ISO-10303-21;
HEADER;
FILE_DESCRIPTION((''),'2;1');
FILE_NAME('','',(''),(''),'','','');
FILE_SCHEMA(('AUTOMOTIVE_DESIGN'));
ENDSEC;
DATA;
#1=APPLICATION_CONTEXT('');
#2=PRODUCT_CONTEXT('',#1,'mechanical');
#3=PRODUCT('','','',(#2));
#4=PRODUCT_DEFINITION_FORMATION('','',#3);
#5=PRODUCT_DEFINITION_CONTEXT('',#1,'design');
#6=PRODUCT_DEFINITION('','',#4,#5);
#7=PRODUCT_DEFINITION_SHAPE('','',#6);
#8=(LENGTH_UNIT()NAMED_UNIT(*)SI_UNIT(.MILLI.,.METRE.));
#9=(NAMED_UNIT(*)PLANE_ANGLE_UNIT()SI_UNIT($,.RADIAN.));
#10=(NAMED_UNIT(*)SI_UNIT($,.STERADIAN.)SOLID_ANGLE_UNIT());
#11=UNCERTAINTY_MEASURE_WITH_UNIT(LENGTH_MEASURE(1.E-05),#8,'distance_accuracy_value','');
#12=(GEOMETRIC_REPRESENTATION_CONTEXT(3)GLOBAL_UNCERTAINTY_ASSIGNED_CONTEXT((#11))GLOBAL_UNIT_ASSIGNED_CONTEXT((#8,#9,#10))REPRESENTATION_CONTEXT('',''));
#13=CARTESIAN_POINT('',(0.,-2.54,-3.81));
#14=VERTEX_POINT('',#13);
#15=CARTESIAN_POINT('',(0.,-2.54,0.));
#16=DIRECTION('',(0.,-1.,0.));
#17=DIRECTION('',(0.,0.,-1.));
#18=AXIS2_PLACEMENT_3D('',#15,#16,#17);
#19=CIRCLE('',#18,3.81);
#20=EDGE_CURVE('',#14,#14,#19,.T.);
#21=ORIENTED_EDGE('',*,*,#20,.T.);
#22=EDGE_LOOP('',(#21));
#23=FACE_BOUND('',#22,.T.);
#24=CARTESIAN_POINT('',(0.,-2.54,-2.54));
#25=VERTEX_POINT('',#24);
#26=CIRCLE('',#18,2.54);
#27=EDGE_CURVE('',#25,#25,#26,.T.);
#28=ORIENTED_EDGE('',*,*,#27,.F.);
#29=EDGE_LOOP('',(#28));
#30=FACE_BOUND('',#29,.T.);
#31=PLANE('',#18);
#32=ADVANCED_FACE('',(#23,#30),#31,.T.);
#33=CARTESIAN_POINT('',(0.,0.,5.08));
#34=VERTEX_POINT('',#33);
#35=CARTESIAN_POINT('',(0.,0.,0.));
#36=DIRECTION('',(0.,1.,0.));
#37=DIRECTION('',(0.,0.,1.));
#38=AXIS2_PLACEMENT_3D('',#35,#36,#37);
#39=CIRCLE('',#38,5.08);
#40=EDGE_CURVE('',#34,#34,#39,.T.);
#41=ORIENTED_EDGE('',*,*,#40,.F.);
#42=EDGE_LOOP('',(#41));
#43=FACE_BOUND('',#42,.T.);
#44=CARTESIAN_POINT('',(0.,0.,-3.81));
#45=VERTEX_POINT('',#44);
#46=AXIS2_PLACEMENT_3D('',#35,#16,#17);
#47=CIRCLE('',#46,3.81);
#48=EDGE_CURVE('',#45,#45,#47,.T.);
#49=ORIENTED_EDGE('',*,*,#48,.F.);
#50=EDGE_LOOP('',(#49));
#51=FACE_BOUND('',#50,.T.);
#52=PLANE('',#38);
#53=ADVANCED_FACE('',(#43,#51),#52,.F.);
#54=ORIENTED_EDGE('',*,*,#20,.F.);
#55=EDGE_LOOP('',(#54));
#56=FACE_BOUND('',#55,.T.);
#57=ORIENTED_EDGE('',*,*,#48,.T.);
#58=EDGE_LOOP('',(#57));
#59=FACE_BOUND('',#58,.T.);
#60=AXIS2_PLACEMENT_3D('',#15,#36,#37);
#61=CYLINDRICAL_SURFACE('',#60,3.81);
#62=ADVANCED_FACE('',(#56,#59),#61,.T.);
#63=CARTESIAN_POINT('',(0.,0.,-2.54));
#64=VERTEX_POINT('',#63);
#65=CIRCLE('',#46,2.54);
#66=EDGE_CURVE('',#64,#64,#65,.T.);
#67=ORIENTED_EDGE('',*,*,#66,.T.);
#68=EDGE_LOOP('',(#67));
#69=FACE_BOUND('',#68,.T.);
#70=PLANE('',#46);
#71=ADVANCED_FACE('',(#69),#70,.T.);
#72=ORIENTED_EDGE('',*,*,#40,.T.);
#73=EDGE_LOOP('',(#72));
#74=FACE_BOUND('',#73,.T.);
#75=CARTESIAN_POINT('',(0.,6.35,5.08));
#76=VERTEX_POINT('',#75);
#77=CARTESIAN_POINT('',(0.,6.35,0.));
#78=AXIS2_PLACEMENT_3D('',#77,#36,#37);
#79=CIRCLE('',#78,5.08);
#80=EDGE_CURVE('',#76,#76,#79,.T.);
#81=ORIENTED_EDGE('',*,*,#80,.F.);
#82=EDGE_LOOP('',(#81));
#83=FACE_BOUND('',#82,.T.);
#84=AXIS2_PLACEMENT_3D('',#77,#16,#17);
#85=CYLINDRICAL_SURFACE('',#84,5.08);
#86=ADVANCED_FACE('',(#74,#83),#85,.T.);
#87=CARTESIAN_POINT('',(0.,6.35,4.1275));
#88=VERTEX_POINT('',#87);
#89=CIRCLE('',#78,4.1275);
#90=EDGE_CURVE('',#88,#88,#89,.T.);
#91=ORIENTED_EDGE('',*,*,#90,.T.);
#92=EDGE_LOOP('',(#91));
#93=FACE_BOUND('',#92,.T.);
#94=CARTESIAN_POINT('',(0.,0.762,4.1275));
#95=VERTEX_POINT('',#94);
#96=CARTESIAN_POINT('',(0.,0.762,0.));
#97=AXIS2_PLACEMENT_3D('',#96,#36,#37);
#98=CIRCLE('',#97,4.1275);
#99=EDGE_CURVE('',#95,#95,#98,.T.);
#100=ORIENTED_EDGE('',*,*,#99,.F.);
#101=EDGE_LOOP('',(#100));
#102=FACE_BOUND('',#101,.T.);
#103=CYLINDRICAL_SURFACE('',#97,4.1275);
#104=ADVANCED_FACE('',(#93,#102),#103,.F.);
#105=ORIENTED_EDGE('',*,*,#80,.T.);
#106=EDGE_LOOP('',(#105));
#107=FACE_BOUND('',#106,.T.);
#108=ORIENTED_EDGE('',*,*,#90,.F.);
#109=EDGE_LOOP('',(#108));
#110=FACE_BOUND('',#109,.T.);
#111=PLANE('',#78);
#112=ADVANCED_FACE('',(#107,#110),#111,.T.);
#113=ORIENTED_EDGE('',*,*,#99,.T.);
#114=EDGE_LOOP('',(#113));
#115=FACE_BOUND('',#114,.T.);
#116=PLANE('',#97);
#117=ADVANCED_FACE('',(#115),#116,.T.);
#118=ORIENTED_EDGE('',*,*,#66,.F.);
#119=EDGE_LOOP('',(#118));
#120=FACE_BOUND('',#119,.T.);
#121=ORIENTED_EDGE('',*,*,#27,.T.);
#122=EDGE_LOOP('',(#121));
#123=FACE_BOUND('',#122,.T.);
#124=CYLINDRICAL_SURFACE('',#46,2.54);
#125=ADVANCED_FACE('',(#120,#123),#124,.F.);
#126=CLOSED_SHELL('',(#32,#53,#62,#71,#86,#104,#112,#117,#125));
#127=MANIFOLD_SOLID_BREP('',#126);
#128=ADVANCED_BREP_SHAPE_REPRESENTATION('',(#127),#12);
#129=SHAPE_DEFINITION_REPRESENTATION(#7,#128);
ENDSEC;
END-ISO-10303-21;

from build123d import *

# Parameters (mm, degrees)
SKETCH1_R           = 5.08
BOSS_EXTRUDE1_DEPTH = 6.35
SKETCH2_R           = 4.1275
CUT_EXTRUDE1_DEPTH  = 5.588
SKETCH3_R           = 3.81
BOSS_EXTRUDE2_DEPTH = 2.54
SKETCH4_R           = 2.54
CUT_EXTRUDE2_DEPTH  = 2.54


with BuildPart() as part:
    # Sketch1 → Boss-Extrude1 (new body)
    with BuildSketch(Plane(origin=(0, 0, 0), x_dir=(1, 0, 0), z_dir=(0, 1, 0))):
        with Locations(Location((0, 0, 0), (0, 0, 270))):
            Circle(SKETCH1_R)
    extrude(amount=BOSS_EXTRUDE1_DEPTH)

    # Sketch2 → Cut-Extrude1 (cut)
    with BuildSketch(Plane(origin=(0, 6.35, 0), x_dir=(1, 0, 0), z_dir=(0, 1, 0))):
        with Locations(Location((0, 0, 0), (0, 0, 270))):
            Circle(SKETCH2_R)
    extrude(amount=-CUT_EXTRUDE1_DEPTH, mode=Mode.SUBTRACT)

    # Sketch3 → Boss-Extrude2 (add)
    with BuildSketch(Plane.XZ):
        with Locations(Location((0, 0, 0), (0, 0, 270))):
            Circle(SKETCH3_R)
    extrude(amount=BOSS_EXTRUDE2_DEPTH)

    # Sketch4 → Cut-Extrude2 (cut)
    with BuildSketch(Plane.XZ.offset(2.54)):
        with Locations(Location((0, 0, 0), (0, 0, 270))):
            Circle(SKETCH4_R)
    extrude(amount=-CUT_EXTRUDE2_DEPTH, mode=Mode.SUBTRACT)


solid = part.part
